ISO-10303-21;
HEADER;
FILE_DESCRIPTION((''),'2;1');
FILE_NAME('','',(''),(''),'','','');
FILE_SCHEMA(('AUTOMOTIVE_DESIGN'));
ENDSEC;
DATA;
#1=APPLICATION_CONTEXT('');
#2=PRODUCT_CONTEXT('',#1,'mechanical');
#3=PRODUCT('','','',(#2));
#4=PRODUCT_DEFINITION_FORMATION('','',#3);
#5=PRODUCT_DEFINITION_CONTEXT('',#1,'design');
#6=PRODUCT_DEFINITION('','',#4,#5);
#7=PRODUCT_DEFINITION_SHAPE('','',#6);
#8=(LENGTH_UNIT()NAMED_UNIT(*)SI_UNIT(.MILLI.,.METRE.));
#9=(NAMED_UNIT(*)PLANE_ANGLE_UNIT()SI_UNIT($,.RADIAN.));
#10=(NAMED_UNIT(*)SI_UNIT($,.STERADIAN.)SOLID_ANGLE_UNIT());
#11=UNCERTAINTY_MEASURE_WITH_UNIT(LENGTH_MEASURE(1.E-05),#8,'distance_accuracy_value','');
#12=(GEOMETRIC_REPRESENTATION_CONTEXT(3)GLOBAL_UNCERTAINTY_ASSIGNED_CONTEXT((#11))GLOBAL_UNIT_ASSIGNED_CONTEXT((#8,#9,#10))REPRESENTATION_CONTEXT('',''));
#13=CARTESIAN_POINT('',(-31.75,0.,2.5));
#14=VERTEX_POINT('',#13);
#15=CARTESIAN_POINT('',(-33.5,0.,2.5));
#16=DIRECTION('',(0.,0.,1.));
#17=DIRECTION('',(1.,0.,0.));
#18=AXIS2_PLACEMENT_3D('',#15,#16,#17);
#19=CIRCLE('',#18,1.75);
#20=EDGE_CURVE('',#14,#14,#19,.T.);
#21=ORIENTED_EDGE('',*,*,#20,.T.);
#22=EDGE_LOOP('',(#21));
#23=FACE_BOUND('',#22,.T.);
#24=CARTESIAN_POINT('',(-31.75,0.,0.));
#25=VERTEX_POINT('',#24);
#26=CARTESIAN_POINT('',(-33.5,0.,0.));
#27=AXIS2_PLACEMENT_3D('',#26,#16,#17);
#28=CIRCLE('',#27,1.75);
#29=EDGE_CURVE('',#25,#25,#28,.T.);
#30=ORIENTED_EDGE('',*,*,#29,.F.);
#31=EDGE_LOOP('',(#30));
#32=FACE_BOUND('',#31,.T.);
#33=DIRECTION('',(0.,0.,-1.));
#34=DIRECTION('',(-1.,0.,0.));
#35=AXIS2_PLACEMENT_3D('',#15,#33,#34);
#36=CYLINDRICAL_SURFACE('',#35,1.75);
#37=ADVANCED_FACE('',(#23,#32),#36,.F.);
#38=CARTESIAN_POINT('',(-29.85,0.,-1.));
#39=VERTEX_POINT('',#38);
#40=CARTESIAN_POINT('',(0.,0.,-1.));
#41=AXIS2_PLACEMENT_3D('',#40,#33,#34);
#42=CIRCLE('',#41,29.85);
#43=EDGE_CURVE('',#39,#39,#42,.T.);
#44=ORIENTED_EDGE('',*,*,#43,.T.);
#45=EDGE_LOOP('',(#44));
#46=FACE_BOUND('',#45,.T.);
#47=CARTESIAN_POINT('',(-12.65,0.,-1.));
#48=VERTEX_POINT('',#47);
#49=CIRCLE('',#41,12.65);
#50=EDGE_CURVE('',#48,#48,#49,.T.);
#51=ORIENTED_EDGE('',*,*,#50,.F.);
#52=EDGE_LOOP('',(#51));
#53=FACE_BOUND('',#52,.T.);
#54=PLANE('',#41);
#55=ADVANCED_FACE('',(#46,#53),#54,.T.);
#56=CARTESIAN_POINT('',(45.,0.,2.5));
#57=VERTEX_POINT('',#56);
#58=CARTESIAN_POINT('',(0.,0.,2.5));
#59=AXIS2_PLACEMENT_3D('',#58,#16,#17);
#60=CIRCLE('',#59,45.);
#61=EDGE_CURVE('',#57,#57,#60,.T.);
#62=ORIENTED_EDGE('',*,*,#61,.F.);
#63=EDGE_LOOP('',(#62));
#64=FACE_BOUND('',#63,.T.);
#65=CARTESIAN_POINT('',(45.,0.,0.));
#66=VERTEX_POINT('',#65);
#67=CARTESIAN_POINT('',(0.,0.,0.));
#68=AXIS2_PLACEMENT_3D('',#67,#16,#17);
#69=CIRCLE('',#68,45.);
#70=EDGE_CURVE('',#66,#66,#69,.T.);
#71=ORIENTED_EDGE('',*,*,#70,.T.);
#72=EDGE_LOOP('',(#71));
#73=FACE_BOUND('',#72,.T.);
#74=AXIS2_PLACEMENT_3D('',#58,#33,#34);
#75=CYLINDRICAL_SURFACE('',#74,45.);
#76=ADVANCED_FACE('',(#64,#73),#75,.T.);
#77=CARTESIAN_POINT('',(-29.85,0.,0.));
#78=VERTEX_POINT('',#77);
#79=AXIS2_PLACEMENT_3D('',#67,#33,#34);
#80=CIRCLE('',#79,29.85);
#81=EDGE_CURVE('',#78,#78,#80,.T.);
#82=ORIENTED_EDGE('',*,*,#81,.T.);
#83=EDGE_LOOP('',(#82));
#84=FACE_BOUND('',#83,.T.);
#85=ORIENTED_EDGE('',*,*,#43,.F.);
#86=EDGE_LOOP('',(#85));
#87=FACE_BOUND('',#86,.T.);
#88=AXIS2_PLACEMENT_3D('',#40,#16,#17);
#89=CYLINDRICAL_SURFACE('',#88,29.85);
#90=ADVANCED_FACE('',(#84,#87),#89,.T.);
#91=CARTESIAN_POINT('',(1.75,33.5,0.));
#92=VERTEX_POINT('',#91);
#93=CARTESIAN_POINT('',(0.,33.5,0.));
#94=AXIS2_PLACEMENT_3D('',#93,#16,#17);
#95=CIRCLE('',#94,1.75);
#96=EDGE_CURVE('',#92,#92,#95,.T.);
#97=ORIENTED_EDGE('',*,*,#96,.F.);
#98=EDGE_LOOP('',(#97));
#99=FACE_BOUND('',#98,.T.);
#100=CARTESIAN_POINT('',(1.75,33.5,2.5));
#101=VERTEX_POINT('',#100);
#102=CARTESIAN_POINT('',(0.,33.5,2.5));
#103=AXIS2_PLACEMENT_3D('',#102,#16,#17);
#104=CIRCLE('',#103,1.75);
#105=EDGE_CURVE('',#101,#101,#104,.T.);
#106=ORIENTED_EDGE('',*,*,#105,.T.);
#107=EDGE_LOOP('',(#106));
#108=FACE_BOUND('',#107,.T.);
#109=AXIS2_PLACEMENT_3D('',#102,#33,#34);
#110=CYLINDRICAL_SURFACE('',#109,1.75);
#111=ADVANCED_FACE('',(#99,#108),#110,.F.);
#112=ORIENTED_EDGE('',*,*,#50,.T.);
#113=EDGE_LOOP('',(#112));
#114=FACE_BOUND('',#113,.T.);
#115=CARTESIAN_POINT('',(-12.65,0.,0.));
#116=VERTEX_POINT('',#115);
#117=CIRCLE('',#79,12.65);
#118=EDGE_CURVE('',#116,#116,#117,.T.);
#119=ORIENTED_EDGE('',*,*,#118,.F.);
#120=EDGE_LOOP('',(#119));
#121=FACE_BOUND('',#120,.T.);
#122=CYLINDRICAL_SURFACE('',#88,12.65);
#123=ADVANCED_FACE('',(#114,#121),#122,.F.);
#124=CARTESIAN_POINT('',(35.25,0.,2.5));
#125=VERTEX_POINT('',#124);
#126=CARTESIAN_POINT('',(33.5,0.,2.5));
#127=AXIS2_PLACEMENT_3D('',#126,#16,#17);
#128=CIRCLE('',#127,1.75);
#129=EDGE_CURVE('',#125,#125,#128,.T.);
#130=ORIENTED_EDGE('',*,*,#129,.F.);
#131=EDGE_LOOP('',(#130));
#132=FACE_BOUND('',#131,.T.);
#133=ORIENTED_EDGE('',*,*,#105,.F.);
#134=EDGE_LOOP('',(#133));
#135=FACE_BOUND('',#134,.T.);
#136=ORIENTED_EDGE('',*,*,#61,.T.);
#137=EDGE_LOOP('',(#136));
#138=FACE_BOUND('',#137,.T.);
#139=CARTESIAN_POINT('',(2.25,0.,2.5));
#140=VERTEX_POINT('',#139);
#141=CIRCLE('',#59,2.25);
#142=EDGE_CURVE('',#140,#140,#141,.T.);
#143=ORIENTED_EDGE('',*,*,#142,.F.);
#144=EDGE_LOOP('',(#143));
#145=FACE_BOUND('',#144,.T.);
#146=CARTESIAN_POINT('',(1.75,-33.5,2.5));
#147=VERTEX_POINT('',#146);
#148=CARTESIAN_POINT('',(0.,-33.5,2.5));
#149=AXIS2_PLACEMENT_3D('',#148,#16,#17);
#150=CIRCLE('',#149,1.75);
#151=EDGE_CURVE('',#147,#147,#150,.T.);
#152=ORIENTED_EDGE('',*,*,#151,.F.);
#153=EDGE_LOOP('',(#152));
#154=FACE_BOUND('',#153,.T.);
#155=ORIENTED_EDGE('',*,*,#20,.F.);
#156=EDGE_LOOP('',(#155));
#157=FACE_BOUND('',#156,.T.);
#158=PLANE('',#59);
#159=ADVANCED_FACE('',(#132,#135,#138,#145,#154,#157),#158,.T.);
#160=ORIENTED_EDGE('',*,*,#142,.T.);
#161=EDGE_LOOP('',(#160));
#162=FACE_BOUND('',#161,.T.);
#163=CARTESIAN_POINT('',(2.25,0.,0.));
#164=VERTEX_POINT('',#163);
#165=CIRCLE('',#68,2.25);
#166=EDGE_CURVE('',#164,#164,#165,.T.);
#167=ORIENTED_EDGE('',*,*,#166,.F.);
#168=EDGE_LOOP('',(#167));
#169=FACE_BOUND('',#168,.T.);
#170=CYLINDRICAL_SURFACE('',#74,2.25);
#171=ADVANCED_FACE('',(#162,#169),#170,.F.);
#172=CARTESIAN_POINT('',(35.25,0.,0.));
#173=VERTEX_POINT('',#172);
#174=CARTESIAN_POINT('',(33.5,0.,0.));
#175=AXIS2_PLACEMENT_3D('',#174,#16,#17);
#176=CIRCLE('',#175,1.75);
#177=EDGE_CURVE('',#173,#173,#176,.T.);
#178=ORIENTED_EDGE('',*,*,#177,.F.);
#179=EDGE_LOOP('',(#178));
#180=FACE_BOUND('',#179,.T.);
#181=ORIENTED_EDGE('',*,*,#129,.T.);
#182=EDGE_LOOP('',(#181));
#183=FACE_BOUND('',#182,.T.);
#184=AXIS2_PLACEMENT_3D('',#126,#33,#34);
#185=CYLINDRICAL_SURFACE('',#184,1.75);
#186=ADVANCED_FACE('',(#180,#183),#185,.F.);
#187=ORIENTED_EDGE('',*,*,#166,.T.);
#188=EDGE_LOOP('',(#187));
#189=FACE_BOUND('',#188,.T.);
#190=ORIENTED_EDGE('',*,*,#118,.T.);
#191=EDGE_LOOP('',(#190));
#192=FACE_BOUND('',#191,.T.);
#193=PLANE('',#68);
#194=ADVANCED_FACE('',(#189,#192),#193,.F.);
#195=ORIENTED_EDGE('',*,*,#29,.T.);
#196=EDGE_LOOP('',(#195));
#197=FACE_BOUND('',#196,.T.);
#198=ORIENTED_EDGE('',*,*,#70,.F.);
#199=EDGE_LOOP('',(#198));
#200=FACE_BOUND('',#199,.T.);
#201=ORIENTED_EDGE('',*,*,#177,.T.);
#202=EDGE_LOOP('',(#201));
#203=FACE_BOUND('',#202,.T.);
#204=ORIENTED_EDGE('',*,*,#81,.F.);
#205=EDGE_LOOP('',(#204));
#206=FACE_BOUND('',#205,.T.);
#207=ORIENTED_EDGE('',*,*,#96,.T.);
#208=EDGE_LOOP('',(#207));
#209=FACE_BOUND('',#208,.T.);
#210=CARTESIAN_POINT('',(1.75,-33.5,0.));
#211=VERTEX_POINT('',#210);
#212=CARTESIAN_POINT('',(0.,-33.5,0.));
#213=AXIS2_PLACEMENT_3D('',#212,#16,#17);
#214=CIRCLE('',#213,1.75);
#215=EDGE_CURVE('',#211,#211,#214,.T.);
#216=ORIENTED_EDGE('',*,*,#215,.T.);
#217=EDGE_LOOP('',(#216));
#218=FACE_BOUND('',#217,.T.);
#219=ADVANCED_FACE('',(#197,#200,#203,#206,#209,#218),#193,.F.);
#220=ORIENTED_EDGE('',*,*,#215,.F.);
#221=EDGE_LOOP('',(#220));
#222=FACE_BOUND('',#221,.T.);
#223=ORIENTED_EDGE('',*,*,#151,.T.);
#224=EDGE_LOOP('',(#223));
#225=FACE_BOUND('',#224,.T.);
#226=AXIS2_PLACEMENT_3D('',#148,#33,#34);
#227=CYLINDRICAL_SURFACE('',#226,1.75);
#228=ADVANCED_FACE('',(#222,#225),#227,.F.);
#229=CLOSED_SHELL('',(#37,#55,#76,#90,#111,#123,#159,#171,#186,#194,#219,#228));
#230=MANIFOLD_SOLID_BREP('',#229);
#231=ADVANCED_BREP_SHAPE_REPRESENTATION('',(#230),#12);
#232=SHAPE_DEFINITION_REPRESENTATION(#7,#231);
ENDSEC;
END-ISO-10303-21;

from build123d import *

# Parameters (mm, degrees)
SKETCH1_R           = 45
SKETCH1_R_2         = 2.25
SKETCH1_R_3         = 1.75
BOSS_EXTRUDE1_DEPTH = 2.5
SKETCH2_R           = 29.85
SKETCH2_R_2         = 12.65
BOSS_EXTRUDE2_DEPTH = 1


with BuildPart() as part:
    # Sketch1 → Boss-Extrude1 (new body)
    with BuildSketch(Plane.XY):
        Circle(SKETCH1_R)
        Circle(SKETCH1_R_2, mode=Mode.SUBTRACT)
        with Locations((0, 33.5)):
            Circle(SKETCH1_R_3, mode=Mode.SUBTRACT)
        with Locations((33.5, 0)):
            Circle(SKETCH1_R_3, mode=Mode.SUBTRACT)
        with Locations((0, -33.5)):
            Circle(SKETCH1_R_3, mode=Mode.SUBTRACT)
        with Locations((-33.5, 0)):
            Circle(SKETCH1_R_3, mode=Mode.SUBTRACT)
    extrude(amount=BOSS_EXTRUDE1_DEPTH)

    # Sketch2 → Boss-Extrude2 (add)
    with BuildSketch(Plane(origin=(0, 0, 0), x_dir=(-1, 0, 0), z_dir=(0, 0, -1))):
        Circle(SKETCH2_R)
        Circle(SKETCH2_R_2, mode=Mode.SUBTRACT)
    extrude(amount=BOSS_EXTRUDE2_DEPTH)


solid = part.part
